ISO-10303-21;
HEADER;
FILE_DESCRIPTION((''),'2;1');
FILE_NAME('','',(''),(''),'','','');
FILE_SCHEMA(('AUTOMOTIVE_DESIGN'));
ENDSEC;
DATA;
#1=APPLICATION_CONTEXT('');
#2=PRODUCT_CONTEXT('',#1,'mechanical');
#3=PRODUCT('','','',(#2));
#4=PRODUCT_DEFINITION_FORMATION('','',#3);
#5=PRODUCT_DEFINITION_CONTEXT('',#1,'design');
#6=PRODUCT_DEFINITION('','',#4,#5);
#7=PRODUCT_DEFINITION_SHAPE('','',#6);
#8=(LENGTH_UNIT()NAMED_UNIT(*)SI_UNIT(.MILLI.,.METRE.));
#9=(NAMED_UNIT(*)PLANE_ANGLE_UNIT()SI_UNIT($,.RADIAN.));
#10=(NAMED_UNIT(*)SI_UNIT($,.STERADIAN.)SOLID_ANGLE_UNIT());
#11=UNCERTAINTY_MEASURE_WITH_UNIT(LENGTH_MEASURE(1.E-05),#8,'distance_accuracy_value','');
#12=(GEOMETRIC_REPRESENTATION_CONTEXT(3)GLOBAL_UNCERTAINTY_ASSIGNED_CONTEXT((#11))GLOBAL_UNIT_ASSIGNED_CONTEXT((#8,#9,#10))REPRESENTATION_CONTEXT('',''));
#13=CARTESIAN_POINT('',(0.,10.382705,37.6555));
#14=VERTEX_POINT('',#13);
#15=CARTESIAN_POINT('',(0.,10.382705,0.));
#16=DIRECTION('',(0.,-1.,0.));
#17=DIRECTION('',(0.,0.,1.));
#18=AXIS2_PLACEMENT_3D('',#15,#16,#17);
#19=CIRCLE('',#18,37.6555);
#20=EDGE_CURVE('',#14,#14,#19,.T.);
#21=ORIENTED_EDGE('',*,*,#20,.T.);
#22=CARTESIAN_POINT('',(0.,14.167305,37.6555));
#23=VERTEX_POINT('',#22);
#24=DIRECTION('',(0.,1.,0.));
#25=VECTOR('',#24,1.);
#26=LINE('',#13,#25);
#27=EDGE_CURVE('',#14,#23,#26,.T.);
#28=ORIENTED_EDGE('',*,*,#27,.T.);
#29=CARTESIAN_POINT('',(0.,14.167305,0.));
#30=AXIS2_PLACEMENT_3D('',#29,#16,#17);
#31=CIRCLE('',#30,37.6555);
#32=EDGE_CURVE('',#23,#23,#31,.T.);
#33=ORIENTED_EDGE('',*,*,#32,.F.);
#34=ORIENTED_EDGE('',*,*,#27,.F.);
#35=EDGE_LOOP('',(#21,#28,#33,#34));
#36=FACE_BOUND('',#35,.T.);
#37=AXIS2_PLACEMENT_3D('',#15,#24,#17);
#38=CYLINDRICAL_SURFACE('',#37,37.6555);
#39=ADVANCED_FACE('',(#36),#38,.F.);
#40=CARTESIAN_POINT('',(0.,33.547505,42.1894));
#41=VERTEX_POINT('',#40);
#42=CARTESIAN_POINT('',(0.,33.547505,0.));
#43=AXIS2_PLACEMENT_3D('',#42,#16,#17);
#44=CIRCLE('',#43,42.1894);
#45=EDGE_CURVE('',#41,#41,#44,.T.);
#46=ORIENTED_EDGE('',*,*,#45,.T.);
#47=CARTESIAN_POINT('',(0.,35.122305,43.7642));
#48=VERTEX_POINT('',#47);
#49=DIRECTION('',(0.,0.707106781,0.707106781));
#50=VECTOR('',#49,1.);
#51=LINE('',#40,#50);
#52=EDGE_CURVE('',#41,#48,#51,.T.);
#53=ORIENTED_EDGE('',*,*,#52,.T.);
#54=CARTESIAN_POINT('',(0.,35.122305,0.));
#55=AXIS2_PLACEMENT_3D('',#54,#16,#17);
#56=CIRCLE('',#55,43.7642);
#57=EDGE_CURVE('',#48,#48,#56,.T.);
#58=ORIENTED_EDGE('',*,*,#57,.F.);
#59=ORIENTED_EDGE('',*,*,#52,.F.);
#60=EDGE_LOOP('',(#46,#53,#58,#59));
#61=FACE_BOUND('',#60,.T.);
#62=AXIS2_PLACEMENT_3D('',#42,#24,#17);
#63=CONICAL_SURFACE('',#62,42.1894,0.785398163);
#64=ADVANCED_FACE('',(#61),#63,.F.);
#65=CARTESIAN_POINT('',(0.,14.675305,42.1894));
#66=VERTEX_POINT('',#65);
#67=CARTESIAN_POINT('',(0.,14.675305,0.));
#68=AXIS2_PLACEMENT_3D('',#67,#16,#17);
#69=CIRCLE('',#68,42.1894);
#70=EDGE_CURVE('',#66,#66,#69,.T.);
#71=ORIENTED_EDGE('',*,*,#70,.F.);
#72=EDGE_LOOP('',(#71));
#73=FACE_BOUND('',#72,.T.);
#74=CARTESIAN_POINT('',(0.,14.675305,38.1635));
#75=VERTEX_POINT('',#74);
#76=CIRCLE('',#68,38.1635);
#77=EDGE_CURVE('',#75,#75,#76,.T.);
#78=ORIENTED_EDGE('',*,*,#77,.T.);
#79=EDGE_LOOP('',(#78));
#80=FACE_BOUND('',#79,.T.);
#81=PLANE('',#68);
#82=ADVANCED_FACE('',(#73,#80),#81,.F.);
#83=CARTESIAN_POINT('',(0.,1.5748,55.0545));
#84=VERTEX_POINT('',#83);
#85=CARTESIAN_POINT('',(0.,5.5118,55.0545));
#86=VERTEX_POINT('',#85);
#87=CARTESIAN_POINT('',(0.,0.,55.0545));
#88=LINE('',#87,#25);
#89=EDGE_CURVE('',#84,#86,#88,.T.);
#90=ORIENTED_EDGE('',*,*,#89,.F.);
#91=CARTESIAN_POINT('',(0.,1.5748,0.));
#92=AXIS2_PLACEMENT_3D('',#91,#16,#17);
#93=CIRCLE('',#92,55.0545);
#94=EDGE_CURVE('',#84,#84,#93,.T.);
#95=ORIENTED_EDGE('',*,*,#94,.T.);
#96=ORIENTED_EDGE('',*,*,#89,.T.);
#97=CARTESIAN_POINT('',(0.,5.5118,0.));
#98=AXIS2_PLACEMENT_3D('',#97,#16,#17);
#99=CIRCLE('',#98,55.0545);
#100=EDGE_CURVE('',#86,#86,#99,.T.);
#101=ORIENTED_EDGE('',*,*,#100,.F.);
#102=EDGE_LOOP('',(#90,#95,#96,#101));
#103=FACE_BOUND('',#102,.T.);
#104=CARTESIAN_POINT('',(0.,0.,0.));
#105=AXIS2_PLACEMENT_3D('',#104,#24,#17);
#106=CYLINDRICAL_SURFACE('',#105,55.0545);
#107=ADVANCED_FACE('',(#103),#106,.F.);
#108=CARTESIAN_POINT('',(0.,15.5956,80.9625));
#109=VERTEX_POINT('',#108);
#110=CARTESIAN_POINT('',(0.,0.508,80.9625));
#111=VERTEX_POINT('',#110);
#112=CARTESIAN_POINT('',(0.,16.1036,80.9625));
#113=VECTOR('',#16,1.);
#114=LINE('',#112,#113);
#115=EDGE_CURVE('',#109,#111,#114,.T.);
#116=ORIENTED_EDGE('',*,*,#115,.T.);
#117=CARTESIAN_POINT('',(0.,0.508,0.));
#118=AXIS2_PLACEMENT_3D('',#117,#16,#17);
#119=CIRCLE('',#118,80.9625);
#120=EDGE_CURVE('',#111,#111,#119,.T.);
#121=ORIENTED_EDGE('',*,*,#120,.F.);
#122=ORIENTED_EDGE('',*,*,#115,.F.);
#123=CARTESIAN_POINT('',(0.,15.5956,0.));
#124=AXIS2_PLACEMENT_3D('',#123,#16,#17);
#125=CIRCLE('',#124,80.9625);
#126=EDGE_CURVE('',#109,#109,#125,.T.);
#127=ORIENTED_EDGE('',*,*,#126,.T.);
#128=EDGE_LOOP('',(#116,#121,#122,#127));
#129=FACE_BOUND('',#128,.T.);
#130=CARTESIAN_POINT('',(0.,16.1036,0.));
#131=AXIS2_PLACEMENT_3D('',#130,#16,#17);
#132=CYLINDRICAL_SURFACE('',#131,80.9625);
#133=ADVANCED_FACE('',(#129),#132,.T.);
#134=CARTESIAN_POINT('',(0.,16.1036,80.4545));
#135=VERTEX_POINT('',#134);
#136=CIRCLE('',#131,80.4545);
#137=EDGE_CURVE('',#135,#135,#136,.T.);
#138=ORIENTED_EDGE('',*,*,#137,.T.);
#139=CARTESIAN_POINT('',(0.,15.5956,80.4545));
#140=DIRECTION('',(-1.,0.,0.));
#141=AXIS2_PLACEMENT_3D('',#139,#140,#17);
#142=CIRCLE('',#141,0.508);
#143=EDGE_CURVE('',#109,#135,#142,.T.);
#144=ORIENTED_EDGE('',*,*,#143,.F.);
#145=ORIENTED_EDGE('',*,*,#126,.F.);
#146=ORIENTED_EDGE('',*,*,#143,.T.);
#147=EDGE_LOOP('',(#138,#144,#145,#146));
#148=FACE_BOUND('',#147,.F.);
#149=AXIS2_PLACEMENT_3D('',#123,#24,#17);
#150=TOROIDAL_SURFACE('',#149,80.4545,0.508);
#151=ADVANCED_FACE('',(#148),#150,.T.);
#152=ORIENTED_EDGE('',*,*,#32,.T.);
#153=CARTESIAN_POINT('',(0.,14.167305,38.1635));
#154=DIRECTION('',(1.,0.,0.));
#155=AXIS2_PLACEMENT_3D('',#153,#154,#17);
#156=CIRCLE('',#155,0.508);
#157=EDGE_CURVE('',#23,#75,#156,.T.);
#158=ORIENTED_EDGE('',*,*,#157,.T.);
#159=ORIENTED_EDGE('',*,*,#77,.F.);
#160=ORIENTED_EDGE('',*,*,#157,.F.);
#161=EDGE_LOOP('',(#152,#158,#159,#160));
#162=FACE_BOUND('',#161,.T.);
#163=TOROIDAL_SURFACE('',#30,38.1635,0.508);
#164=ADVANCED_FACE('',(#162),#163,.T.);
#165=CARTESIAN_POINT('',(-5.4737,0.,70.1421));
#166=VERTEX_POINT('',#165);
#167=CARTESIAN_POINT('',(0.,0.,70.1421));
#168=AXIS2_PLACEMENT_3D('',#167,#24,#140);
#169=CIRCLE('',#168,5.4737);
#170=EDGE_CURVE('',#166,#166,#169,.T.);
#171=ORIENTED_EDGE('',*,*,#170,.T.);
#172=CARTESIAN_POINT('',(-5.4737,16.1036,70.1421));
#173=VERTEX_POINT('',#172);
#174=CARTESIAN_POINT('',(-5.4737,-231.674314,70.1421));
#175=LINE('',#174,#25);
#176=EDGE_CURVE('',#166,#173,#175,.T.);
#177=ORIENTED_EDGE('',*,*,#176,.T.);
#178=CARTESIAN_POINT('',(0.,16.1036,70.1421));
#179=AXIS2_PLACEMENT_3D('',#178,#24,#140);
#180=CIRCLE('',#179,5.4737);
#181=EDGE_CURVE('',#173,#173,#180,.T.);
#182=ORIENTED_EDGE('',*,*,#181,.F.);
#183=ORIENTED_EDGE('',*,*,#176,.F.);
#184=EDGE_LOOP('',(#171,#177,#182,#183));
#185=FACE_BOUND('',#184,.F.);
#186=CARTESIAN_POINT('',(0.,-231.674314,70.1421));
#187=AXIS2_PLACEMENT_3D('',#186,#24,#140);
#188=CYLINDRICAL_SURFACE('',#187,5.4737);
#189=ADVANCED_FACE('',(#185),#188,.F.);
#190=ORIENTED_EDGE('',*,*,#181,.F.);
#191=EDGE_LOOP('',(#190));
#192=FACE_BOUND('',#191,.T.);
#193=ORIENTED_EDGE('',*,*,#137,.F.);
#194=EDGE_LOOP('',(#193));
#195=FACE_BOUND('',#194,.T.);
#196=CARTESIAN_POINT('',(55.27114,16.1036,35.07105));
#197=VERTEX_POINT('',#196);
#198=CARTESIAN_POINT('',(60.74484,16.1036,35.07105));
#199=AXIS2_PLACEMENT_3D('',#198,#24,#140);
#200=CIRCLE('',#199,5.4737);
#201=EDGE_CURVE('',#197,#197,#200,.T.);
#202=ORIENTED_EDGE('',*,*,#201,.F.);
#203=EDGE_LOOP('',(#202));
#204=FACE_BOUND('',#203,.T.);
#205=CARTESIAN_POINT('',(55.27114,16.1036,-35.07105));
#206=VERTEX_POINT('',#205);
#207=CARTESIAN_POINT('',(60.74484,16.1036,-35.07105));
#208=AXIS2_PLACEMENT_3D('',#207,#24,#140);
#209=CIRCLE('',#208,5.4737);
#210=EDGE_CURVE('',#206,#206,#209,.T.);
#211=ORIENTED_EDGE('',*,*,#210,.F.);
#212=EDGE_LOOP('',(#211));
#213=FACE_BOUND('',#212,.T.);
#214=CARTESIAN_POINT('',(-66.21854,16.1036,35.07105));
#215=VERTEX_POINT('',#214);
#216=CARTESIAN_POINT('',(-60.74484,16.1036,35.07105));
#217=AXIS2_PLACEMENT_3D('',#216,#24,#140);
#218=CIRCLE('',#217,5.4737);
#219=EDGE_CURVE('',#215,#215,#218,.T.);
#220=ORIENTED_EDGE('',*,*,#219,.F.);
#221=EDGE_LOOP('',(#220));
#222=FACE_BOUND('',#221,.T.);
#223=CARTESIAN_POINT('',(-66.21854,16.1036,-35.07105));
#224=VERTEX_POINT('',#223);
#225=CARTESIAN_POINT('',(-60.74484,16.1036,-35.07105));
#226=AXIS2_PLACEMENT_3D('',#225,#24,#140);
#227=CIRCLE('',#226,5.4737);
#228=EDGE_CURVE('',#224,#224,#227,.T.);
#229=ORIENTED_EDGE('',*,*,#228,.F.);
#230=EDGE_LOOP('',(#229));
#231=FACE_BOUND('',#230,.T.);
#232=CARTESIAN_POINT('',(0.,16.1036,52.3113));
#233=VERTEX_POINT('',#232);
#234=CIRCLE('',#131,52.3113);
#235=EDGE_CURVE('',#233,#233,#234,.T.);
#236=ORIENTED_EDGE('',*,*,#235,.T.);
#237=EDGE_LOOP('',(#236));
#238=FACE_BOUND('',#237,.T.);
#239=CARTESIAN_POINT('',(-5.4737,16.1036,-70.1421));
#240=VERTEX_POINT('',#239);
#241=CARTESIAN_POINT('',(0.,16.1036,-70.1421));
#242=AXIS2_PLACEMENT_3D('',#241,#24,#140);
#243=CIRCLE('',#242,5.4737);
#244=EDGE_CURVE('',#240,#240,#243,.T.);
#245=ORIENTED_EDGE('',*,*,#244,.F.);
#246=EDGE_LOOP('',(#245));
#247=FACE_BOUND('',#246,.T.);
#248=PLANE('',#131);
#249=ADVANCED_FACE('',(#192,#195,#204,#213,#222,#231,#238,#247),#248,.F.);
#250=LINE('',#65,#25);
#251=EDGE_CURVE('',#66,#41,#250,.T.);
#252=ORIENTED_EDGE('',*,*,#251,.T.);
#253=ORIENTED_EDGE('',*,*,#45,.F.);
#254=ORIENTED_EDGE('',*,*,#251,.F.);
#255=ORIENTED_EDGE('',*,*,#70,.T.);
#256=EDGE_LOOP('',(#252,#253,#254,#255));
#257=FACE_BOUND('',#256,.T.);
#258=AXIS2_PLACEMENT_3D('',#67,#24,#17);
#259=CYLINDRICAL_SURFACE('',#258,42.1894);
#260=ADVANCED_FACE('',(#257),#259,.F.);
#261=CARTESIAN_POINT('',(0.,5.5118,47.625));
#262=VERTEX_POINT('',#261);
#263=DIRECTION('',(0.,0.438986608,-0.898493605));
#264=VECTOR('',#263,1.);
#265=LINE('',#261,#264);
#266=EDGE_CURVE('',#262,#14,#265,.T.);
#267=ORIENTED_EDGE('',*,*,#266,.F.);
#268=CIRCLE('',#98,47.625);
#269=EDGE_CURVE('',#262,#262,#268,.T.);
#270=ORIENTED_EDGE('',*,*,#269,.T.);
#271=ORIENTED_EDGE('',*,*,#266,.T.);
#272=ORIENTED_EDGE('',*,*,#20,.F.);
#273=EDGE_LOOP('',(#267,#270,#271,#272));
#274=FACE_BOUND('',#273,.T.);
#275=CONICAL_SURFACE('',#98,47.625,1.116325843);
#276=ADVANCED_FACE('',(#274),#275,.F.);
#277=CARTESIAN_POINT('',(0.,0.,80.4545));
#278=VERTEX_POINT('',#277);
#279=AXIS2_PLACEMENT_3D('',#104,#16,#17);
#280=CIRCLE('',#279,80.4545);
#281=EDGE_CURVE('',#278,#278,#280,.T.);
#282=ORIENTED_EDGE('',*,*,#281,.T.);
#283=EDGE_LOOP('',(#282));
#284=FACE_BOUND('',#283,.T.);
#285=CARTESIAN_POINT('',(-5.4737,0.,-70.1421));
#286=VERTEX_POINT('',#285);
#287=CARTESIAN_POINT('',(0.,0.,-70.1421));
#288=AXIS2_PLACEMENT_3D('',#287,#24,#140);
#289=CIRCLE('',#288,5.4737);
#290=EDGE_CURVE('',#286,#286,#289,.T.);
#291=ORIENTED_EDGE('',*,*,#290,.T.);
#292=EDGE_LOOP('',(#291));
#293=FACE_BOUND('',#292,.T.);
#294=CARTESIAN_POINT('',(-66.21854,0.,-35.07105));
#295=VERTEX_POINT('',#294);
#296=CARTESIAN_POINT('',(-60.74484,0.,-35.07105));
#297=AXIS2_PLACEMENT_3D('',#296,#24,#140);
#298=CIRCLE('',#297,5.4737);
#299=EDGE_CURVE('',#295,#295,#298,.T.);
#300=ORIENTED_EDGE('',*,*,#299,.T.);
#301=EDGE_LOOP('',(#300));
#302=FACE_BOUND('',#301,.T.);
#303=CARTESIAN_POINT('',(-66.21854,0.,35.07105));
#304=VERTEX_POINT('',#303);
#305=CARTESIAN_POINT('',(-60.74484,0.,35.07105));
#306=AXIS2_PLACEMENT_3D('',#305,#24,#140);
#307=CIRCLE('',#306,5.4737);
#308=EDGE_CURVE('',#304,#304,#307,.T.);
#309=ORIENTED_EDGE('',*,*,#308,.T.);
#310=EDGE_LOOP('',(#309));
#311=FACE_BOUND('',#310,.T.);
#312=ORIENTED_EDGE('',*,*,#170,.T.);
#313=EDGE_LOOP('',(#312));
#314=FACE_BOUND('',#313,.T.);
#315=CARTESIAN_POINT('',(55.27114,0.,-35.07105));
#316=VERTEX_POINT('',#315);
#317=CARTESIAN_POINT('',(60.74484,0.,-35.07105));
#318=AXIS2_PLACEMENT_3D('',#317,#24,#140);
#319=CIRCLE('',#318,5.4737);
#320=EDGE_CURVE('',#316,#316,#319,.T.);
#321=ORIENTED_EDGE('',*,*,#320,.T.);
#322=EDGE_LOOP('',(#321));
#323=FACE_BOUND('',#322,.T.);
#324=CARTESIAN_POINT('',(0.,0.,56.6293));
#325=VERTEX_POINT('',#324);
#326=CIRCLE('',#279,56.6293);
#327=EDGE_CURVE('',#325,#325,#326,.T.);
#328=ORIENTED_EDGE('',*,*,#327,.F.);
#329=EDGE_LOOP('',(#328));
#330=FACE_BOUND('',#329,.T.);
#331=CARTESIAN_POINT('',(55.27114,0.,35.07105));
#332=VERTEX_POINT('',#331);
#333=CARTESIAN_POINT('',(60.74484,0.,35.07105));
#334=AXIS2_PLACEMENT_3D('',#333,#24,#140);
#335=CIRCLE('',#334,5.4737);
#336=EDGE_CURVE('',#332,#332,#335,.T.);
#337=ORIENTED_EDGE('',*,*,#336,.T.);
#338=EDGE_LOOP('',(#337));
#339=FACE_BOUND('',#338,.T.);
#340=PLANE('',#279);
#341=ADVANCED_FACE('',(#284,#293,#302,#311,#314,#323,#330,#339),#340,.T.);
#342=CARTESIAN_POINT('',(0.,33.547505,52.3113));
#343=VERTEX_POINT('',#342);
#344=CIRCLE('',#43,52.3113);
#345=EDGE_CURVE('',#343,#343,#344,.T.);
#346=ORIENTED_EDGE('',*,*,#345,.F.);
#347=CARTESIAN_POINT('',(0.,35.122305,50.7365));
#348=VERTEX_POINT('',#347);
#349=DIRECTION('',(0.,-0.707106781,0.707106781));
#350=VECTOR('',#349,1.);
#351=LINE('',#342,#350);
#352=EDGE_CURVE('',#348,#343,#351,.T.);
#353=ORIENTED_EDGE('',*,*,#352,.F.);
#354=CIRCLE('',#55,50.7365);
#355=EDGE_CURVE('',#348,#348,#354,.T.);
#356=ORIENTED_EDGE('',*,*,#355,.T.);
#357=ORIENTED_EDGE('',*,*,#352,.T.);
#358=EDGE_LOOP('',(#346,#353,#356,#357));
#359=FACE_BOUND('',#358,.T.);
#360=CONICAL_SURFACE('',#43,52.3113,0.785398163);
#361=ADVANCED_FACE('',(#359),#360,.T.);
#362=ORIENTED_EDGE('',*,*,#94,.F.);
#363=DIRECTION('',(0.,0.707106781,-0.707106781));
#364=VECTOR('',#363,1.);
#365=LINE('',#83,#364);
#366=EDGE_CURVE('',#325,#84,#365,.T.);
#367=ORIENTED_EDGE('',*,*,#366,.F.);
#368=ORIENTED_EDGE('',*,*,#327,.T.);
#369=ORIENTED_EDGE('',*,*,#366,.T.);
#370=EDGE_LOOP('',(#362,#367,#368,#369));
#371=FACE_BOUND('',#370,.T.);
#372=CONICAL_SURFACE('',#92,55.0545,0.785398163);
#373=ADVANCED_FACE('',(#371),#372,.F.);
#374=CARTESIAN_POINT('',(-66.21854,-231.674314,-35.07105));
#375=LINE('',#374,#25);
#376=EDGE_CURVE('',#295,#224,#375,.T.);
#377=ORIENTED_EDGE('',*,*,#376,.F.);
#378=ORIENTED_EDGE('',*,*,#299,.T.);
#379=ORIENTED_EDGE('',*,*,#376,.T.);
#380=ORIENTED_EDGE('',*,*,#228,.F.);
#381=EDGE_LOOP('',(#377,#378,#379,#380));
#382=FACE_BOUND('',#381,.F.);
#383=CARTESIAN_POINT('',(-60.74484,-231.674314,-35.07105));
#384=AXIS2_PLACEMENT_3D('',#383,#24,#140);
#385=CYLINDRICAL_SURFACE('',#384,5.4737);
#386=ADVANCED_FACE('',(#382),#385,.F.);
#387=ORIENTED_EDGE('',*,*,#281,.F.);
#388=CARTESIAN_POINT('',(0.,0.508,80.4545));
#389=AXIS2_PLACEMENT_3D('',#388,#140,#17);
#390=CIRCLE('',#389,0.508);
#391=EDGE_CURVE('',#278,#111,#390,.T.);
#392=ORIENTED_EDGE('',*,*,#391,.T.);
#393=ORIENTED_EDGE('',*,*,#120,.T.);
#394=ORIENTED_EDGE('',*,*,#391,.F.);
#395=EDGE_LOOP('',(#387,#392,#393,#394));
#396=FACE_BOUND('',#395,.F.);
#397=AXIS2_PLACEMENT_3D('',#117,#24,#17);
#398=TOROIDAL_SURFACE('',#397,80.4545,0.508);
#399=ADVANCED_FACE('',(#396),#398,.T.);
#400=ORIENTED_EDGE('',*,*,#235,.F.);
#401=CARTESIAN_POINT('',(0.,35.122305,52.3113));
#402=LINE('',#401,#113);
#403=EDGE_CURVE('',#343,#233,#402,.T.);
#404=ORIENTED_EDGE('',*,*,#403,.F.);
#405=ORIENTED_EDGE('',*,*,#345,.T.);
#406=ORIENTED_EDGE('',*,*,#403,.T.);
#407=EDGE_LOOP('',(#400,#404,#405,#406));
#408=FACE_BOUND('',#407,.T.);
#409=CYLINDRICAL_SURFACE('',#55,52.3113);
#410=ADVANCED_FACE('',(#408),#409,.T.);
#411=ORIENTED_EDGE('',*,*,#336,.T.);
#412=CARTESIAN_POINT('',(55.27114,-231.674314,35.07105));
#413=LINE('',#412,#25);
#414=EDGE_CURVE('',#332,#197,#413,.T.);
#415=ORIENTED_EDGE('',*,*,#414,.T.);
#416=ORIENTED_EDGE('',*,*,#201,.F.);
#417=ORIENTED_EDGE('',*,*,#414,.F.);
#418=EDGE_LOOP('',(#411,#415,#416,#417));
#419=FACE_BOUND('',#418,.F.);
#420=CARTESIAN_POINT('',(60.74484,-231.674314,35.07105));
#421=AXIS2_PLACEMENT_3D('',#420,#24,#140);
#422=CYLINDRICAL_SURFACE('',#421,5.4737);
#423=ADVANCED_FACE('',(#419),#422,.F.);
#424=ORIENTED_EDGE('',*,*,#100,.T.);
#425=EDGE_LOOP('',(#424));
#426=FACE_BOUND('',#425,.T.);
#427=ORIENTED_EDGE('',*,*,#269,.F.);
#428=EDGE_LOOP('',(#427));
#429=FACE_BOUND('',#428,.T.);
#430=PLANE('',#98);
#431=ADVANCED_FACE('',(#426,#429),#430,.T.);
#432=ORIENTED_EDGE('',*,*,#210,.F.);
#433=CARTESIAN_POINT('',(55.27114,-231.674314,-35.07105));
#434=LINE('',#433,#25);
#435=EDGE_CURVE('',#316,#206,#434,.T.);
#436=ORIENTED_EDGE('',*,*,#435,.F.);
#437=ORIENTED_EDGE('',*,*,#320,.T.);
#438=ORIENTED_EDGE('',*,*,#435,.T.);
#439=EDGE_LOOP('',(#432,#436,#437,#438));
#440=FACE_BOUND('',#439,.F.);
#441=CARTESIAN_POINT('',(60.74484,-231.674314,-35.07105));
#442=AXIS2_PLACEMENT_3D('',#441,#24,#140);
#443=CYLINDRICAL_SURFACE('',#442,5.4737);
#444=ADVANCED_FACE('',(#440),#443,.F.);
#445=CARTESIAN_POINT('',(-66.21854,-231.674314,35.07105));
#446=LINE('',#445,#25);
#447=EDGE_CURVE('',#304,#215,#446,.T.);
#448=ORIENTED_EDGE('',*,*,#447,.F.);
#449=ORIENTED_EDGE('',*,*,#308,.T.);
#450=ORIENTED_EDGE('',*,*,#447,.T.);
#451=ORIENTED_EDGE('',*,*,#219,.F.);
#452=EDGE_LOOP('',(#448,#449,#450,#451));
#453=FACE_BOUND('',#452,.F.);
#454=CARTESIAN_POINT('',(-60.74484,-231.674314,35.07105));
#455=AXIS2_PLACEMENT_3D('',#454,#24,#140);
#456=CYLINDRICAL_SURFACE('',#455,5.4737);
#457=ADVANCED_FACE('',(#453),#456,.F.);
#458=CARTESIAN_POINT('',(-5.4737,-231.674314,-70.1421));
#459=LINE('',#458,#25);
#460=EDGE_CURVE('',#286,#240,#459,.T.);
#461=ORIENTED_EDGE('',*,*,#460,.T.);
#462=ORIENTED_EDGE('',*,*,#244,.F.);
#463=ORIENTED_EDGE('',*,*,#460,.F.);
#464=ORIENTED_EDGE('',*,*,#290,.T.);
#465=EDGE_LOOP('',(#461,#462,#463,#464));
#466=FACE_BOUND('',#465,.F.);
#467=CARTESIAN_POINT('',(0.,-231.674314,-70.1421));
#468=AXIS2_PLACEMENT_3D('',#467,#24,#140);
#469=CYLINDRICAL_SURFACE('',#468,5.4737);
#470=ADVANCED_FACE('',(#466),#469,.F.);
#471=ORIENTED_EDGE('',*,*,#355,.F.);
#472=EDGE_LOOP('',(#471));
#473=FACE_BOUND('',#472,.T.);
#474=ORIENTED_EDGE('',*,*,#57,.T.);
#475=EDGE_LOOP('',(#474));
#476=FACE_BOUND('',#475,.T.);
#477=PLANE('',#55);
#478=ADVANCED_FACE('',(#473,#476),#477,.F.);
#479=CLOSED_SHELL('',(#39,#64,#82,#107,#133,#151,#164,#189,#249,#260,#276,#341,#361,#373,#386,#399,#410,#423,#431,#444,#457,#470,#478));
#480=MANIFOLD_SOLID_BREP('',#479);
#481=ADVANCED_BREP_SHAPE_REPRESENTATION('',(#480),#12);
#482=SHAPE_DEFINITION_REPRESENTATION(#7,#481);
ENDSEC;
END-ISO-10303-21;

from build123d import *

# Parameters (mm, degrees)
F2_SIZE = 1.5748
F3_R    = 0.508
F5_D    = 10.9474


with BuildPart() as f1:
    # F0 (on Right) → F1 (revolve)
    with BuildSketch(Plane.YZ):
        Polygon((16.1036, 80.9625), (0, 80.9625), (0, 55.0545), (5.5118, 55.0545), (5.5118, 47.625), (10.382705, 37.6555), (14.675305, 37.6555), (14.675305, 42.1894), (35.122305, 42.1894), (35.122305, 52.3113), (16.1036, 52.3113), align=None)
    revolve(axis=Axis((0, 17.561152, 0), (0, -1, 0)))

    # F2
    f2_edges = [f1.edges().sort_by_distance(p)[0] for p in [
        (0, 35.122305, -42.1894),
        (0, 35.122305, -52.3113),
        (0, 0, -55.0545),
    ]]
    chamfer(f2_edges, length=F2_SIZE)

    # F3
    f3_edges = [f1.edges().sort_by_distance(p)[0] for p in [
        (0, 14.675305, -37.6555),
        (0, 16.1036, -80.9625),
        (0, 0, -80.9625),
    ]]
    fillet(f3_edges, radius=F3_R)

    # F5 (through all)
    with Locations(Plane.XZ):
        with Locations((0, 70.1421), (60.74484, 35.07105), (60.74484, -35.07105), (0, -70.1421), (-60.74484, -35.07105), (-60.74484, 35.07105)):
            Hole(F5_D / 2)


solid = f1.part
